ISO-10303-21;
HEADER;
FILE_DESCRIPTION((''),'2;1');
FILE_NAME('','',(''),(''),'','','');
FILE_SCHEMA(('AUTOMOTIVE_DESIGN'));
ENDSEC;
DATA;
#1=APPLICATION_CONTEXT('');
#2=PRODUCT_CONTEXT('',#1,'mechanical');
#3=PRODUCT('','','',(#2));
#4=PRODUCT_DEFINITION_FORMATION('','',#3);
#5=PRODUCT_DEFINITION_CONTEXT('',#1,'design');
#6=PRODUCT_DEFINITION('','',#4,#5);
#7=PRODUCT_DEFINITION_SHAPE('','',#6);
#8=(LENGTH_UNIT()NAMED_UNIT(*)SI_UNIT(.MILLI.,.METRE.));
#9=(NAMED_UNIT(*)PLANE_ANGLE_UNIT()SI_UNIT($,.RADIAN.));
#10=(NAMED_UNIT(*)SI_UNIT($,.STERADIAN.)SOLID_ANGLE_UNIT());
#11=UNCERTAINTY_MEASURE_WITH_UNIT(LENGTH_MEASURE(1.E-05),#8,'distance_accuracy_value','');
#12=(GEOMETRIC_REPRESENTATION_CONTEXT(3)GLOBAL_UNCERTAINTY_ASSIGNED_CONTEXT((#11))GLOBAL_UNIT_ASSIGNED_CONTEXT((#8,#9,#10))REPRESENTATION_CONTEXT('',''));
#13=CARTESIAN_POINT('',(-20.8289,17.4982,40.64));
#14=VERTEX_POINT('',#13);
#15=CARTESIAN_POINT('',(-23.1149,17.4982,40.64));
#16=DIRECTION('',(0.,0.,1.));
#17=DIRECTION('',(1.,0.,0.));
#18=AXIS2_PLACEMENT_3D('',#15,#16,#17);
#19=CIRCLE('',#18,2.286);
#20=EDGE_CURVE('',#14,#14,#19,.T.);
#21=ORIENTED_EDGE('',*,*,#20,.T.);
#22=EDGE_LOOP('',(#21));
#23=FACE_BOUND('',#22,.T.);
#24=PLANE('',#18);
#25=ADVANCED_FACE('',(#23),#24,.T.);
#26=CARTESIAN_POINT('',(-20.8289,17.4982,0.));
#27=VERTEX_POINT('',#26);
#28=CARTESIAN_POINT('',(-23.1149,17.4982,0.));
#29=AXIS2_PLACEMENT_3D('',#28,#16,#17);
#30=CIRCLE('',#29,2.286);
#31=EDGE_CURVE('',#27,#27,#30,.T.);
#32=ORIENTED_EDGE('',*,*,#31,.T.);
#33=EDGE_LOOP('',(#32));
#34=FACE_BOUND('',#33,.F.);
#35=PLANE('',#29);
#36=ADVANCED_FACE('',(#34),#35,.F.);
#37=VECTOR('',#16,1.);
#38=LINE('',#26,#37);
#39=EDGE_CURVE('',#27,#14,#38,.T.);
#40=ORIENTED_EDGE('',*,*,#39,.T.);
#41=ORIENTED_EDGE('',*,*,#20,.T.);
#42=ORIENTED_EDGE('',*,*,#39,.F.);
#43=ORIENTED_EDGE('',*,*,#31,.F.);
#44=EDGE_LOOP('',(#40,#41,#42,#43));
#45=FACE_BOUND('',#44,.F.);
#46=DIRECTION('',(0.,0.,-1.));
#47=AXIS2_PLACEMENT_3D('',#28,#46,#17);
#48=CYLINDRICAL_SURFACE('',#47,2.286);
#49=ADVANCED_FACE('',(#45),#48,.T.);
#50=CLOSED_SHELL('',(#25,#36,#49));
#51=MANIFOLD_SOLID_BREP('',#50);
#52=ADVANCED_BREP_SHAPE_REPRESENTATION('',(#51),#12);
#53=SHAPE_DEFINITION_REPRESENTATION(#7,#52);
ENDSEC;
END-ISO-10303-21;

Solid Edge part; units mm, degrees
sketch "Sketch1" plane through (0, 0, 0) normal (0, 0, 1) x (1, 0, 0)
  circle A0 centre (-23.1149, 17.4982) radius 2.286
extrude "Protrusion1" add sketch "Sketch1" along normal blind 40.64
